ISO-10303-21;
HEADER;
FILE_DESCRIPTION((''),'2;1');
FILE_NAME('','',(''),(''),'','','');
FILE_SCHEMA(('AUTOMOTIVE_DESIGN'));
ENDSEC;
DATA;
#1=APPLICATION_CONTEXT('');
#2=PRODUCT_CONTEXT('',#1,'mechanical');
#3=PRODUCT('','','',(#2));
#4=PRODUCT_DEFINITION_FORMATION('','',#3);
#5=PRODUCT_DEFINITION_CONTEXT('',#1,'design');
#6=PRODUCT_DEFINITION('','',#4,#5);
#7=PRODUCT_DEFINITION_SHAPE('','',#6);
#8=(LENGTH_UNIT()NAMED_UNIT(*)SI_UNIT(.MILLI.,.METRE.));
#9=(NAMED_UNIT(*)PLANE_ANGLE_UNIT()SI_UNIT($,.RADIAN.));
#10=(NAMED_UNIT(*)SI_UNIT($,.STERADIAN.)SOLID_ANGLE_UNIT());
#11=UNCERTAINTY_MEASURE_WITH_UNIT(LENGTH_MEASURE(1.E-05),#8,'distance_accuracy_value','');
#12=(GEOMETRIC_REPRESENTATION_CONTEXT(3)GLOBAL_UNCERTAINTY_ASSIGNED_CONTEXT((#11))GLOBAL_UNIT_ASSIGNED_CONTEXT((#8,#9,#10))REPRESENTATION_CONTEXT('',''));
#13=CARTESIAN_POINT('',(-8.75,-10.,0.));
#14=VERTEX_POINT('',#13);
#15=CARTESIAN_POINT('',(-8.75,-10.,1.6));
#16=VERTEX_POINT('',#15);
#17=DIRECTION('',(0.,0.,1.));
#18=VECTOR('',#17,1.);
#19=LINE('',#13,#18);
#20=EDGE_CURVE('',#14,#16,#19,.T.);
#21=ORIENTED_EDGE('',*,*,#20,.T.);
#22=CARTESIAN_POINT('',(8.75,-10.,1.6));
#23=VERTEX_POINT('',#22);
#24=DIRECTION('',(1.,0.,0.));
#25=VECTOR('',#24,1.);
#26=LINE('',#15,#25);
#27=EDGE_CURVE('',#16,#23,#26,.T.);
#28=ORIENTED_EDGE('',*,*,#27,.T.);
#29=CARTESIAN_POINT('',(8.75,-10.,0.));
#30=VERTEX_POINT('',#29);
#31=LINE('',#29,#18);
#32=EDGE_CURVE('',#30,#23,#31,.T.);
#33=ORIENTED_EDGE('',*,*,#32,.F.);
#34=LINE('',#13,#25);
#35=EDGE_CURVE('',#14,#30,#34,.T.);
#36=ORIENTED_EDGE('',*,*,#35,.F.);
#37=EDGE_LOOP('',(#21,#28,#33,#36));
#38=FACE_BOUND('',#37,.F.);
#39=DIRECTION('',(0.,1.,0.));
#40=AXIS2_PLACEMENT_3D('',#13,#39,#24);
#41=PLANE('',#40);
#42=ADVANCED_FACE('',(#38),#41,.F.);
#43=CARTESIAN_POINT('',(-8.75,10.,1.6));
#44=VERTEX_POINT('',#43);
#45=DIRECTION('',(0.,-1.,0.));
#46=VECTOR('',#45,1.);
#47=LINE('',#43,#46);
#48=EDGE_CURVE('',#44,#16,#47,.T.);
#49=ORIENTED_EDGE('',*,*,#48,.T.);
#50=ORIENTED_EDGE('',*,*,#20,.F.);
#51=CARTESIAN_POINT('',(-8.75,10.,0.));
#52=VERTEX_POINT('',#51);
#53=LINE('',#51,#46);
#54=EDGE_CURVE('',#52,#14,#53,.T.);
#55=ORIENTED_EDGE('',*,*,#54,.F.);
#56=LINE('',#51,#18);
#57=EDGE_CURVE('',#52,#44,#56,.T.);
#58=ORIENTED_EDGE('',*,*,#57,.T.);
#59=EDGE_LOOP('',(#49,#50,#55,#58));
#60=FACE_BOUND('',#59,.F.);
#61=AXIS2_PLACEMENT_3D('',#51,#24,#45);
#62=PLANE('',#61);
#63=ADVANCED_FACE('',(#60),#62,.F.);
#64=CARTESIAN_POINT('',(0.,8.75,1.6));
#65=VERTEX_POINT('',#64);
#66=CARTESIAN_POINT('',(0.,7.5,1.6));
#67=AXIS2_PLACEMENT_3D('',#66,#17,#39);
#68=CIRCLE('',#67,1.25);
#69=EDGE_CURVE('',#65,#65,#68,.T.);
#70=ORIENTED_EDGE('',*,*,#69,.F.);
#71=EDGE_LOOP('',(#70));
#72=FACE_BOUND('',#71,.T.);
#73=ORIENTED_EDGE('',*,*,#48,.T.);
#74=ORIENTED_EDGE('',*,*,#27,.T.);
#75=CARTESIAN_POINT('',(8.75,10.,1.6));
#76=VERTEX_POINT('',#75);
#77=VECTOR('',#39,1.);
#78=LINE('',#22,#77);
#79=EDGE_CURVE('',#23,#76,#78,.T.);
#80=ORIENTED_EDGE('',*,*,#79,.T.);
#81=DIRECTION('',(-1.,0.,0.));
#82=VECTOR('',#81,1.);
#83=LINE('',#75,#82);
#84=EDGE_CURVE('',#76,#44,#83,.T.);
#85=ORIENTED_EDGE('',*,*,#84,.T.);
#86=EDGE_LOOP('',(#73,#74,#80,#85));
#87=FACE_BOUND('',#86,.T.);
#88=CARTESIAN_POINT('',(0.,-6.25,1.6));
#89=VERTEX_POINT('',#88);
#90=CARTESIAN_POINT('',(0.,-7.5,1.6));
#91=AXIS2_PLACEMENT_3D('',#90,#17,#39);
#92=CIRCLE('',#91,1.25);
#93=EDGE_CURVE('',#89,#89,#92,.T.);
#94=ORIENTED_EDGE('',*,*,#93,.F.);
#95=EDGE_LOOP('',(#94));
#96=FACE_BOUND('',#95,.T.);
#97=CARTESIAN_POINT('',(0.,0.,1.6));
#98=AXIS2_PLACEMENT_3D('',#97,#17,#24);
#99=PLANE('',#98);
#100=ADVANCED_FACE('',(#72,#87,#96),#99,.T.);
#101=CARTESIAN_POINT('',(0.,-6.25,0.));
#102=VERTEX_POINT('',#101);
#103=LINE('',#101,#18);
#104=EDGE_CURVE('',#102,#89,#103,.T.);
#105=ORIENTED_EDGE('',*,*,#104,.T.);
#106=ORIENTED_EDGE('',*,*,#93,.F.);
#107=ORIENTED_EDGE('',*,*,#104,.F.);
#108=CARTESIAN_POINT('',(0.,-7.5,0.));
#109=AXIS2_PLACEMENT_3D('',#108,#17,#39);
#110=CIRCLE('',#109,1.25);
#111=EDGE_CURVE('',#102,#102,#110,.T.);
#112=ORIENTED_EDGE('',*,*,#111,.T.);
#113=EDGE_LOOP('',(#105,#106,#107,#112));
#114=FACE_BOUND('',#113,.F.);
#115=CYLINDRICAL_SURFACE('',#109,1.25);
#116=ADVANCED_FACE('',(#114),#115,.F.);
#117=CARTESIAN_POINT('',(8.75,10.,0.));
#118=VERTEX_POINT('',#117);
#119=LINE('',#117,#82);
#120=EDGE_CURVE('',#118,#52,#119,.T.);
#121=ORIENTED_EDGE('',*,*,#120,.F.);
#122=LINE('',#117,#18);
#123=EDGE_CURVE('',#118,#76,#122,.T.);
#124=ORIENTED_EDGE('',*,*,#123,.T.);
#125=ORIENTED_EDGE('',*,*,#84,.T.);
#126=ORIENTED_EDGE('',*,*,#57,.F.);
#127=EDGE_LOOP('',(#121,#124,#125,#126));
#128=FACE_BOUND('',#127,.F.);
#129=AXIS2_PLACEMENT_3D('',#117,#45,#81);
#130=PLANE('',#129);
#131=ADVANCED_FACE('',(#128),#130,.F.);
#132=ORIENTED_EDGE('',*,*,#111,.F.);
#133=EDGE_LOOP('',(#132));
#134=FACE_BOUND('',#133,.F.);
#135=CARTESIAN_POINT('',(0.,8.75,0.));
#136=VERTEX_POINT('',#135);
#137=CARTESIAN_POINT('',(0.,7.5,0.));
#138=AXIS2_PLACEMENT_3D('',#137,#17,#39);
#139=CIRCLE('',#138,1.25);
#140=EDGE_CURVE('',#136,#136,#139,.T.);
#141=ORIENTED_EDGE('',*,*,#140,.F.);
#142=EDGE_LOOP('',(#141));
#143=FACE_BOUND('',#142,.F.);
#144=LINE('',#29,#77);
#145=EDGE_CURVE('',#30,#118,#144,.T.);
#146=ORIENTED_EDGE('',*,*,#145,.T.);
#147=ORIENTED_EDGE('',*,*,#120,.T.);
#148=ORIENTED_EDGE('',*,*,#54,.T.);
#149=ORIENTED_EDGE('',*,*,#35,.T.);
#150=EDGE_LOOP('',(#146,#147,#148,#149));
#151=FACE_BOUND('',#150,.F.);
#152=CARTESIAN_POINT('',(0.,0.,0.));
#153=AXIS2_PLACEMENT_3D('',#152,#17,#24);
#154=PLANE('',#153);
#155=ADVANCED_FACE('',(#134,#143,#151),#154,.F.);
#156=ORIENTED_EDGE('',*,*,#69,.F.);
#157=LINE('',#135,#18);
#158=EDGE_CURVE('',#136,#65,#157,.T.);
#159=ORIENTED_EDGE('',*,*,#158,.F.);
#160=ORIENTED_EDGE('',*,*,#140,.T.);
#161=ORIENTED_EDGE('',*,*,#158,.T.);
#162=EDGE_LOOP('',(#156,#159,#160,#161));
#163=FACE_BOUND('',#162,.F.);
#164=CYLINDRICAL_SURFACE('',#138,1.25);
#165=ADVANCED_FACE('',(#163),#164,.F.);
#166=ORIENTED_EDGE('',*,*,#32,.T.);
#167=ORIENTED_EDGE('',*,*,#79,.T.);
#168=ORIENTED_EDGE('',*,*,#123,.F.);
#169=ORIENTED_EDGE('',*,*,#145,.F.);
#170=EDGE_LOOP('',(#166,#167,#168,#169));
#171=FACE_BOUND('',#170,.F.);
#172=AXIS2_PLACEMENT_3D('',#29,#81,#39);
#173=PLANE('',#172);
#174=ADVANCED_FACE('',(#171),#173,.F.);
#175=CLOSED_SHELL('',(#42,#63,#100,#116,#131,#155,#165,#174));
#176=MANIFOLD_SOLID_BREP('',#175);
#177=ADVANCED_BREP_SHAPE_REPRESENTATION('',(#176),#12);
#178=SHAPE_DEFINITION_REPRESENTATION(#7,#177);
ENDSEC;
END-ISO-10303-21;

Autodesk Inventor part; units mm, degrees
ref_plane "YZ Plane" through (0, 0, 0) normal (1, 0, 0) x (0, 1, 0)
ref_plane "XZ Plane" through (0, 0, 0) normal (0, 1, 0) x (-1, 0, 0)
ref_plane "XY Plane" through (0, 0, 0) normal (0, 0, 1) x (1, 0, 0)
sketch "Sketch1" plane through (0, 0, 0) normal (0, 0, 1) x (1, 0, 0)
  line L0 (8.75, 10) -> (-8.75, 10)
  line L1 (-8.75, 10) -> (-8.75, -10)
  line L2 (-8.75, -10) -> (8.75, -10)
  line L3 (8.75, -10) -> (8.75, 10)
  line L4 (8.75, 10) -> (-8.75, -10) construction
  line L5 (-8.75, 10) -> (8.75, -10) construction
  line L6 (0, 10) -> (0, -10) construction
  line L7 (8.75, 0) -> (-8.75, 0) construction
  line L8 (0, -10) -> (0, 10) construction
  line L9 (0, -7.5) -> (0, 7.5) construction
  point P0 (0, 0)
  point P1 (0, 0)
  dimension "d0" = 17.5
  dimension "d1" = 20
  dimension "d19" = 15
extrude "Extrusion1" add sketch "Sketch1" along normal blind 1.6
hole "Phi2.5" at (0, -7.5, 0) at (0, 7.5, 0) direction (0, 0, 1) diameter 2.5 end through all
properties part number "SUSTAINA-SCI-EXTENSION-BORAD" material "CFRP"
